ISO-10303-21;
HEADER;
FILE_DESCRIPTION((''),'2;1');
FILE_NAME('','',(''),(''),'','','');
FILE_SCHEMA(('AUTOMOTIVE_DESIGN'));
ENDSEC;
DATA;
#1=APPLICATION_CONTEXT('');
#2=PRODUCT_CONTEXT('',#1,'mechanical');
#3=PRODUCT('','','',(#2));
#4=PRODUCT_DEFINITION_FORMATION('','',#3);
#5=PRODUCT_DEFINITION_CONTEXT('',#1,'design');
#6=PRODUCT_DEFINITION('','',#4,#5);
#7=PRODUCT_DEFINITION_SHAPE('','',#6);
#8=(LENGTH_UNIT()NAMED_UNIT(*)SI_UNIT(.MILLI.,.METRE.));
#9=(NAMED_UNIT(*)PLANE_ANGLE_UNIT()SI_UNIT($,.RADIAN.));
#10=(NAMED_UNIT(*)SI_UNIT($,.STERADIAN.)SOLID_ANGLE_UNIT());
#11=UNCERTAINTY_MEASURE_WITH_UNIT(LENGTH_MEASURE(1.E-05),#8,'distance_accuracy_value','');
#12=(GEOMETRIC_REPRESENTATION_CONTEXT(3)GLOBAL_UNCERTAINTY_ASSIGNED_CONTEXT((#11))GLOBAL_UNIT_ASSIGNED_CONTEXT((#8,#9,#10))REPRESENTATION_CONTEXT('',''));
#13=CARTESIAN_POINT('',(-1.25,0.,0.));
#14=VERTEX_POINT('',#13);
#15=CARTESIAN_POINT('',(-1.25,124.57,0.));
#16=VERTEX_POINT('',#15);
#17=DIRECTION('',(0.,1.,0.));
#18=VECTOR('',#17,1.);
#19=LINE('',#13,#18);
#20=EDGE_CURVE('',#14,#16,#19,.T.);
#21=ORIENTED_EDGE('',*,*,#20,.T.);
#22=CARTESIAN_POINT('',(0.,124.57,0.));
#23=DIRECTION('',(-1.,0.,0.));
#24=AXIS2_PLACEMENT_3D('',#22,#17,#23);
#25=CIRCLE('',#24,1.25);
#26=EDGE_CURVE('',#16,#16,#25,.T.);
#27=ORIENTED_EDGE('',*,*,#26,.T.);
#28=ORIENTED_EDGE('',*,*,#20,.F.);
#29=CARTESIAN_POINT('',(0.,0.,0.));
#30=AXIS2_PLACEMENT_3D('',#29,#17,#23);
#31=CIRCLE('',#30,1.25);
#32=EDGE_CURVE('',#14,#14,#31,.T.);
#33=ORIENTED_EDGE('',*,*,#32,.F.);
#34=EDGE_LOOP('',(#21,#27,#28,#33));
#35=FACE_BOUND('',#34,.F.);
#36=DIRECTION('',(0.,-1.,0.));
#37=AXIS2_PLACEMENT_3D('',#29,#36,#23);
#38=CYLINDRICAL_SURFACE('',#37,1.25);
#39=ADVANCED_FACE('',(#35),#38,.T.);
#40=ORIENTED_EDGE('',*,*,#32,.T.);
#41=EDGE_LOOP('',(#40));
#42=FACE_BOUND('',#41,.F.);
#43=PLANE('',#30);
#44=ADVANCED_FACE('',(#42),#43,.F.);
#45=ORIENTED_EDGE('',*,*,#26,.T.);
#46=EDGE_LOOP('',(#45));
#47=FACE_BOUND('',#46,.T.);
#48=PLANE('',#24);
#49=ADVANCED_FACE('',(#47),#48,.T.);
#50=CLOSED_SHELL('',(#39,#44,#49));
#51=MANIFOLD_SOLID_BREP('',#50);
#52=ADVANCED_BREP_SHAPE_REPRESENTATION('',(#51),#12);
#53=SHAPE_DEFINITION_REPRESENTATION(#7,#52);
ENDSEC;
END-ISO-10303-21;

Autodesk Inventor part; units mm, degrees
ref_plane "YZ Plane" through (0, 0, 0) normal (1, 0, 0) x (0, 1, 0)
ref_plane "XZ Plane" through (0, 0, 0) normal (0, 1, 0) x (-1, 0, 0)
ref_plane "XY Plane" through (0, 0, 0) normal (0, 0, 1) x (1, 0, 0)
sketch "Sketch1" plane through (0, 0, 0) normal (0, 1, 0) x (-1, 0, 0)
  circle A0 centre (0, 0) radius 1.25
  dimension "d0" = 2.5
extrude "Extrusion1" add sketch "Sketch1" along normal blind 124.57
properties part number "Threaded Rod"
